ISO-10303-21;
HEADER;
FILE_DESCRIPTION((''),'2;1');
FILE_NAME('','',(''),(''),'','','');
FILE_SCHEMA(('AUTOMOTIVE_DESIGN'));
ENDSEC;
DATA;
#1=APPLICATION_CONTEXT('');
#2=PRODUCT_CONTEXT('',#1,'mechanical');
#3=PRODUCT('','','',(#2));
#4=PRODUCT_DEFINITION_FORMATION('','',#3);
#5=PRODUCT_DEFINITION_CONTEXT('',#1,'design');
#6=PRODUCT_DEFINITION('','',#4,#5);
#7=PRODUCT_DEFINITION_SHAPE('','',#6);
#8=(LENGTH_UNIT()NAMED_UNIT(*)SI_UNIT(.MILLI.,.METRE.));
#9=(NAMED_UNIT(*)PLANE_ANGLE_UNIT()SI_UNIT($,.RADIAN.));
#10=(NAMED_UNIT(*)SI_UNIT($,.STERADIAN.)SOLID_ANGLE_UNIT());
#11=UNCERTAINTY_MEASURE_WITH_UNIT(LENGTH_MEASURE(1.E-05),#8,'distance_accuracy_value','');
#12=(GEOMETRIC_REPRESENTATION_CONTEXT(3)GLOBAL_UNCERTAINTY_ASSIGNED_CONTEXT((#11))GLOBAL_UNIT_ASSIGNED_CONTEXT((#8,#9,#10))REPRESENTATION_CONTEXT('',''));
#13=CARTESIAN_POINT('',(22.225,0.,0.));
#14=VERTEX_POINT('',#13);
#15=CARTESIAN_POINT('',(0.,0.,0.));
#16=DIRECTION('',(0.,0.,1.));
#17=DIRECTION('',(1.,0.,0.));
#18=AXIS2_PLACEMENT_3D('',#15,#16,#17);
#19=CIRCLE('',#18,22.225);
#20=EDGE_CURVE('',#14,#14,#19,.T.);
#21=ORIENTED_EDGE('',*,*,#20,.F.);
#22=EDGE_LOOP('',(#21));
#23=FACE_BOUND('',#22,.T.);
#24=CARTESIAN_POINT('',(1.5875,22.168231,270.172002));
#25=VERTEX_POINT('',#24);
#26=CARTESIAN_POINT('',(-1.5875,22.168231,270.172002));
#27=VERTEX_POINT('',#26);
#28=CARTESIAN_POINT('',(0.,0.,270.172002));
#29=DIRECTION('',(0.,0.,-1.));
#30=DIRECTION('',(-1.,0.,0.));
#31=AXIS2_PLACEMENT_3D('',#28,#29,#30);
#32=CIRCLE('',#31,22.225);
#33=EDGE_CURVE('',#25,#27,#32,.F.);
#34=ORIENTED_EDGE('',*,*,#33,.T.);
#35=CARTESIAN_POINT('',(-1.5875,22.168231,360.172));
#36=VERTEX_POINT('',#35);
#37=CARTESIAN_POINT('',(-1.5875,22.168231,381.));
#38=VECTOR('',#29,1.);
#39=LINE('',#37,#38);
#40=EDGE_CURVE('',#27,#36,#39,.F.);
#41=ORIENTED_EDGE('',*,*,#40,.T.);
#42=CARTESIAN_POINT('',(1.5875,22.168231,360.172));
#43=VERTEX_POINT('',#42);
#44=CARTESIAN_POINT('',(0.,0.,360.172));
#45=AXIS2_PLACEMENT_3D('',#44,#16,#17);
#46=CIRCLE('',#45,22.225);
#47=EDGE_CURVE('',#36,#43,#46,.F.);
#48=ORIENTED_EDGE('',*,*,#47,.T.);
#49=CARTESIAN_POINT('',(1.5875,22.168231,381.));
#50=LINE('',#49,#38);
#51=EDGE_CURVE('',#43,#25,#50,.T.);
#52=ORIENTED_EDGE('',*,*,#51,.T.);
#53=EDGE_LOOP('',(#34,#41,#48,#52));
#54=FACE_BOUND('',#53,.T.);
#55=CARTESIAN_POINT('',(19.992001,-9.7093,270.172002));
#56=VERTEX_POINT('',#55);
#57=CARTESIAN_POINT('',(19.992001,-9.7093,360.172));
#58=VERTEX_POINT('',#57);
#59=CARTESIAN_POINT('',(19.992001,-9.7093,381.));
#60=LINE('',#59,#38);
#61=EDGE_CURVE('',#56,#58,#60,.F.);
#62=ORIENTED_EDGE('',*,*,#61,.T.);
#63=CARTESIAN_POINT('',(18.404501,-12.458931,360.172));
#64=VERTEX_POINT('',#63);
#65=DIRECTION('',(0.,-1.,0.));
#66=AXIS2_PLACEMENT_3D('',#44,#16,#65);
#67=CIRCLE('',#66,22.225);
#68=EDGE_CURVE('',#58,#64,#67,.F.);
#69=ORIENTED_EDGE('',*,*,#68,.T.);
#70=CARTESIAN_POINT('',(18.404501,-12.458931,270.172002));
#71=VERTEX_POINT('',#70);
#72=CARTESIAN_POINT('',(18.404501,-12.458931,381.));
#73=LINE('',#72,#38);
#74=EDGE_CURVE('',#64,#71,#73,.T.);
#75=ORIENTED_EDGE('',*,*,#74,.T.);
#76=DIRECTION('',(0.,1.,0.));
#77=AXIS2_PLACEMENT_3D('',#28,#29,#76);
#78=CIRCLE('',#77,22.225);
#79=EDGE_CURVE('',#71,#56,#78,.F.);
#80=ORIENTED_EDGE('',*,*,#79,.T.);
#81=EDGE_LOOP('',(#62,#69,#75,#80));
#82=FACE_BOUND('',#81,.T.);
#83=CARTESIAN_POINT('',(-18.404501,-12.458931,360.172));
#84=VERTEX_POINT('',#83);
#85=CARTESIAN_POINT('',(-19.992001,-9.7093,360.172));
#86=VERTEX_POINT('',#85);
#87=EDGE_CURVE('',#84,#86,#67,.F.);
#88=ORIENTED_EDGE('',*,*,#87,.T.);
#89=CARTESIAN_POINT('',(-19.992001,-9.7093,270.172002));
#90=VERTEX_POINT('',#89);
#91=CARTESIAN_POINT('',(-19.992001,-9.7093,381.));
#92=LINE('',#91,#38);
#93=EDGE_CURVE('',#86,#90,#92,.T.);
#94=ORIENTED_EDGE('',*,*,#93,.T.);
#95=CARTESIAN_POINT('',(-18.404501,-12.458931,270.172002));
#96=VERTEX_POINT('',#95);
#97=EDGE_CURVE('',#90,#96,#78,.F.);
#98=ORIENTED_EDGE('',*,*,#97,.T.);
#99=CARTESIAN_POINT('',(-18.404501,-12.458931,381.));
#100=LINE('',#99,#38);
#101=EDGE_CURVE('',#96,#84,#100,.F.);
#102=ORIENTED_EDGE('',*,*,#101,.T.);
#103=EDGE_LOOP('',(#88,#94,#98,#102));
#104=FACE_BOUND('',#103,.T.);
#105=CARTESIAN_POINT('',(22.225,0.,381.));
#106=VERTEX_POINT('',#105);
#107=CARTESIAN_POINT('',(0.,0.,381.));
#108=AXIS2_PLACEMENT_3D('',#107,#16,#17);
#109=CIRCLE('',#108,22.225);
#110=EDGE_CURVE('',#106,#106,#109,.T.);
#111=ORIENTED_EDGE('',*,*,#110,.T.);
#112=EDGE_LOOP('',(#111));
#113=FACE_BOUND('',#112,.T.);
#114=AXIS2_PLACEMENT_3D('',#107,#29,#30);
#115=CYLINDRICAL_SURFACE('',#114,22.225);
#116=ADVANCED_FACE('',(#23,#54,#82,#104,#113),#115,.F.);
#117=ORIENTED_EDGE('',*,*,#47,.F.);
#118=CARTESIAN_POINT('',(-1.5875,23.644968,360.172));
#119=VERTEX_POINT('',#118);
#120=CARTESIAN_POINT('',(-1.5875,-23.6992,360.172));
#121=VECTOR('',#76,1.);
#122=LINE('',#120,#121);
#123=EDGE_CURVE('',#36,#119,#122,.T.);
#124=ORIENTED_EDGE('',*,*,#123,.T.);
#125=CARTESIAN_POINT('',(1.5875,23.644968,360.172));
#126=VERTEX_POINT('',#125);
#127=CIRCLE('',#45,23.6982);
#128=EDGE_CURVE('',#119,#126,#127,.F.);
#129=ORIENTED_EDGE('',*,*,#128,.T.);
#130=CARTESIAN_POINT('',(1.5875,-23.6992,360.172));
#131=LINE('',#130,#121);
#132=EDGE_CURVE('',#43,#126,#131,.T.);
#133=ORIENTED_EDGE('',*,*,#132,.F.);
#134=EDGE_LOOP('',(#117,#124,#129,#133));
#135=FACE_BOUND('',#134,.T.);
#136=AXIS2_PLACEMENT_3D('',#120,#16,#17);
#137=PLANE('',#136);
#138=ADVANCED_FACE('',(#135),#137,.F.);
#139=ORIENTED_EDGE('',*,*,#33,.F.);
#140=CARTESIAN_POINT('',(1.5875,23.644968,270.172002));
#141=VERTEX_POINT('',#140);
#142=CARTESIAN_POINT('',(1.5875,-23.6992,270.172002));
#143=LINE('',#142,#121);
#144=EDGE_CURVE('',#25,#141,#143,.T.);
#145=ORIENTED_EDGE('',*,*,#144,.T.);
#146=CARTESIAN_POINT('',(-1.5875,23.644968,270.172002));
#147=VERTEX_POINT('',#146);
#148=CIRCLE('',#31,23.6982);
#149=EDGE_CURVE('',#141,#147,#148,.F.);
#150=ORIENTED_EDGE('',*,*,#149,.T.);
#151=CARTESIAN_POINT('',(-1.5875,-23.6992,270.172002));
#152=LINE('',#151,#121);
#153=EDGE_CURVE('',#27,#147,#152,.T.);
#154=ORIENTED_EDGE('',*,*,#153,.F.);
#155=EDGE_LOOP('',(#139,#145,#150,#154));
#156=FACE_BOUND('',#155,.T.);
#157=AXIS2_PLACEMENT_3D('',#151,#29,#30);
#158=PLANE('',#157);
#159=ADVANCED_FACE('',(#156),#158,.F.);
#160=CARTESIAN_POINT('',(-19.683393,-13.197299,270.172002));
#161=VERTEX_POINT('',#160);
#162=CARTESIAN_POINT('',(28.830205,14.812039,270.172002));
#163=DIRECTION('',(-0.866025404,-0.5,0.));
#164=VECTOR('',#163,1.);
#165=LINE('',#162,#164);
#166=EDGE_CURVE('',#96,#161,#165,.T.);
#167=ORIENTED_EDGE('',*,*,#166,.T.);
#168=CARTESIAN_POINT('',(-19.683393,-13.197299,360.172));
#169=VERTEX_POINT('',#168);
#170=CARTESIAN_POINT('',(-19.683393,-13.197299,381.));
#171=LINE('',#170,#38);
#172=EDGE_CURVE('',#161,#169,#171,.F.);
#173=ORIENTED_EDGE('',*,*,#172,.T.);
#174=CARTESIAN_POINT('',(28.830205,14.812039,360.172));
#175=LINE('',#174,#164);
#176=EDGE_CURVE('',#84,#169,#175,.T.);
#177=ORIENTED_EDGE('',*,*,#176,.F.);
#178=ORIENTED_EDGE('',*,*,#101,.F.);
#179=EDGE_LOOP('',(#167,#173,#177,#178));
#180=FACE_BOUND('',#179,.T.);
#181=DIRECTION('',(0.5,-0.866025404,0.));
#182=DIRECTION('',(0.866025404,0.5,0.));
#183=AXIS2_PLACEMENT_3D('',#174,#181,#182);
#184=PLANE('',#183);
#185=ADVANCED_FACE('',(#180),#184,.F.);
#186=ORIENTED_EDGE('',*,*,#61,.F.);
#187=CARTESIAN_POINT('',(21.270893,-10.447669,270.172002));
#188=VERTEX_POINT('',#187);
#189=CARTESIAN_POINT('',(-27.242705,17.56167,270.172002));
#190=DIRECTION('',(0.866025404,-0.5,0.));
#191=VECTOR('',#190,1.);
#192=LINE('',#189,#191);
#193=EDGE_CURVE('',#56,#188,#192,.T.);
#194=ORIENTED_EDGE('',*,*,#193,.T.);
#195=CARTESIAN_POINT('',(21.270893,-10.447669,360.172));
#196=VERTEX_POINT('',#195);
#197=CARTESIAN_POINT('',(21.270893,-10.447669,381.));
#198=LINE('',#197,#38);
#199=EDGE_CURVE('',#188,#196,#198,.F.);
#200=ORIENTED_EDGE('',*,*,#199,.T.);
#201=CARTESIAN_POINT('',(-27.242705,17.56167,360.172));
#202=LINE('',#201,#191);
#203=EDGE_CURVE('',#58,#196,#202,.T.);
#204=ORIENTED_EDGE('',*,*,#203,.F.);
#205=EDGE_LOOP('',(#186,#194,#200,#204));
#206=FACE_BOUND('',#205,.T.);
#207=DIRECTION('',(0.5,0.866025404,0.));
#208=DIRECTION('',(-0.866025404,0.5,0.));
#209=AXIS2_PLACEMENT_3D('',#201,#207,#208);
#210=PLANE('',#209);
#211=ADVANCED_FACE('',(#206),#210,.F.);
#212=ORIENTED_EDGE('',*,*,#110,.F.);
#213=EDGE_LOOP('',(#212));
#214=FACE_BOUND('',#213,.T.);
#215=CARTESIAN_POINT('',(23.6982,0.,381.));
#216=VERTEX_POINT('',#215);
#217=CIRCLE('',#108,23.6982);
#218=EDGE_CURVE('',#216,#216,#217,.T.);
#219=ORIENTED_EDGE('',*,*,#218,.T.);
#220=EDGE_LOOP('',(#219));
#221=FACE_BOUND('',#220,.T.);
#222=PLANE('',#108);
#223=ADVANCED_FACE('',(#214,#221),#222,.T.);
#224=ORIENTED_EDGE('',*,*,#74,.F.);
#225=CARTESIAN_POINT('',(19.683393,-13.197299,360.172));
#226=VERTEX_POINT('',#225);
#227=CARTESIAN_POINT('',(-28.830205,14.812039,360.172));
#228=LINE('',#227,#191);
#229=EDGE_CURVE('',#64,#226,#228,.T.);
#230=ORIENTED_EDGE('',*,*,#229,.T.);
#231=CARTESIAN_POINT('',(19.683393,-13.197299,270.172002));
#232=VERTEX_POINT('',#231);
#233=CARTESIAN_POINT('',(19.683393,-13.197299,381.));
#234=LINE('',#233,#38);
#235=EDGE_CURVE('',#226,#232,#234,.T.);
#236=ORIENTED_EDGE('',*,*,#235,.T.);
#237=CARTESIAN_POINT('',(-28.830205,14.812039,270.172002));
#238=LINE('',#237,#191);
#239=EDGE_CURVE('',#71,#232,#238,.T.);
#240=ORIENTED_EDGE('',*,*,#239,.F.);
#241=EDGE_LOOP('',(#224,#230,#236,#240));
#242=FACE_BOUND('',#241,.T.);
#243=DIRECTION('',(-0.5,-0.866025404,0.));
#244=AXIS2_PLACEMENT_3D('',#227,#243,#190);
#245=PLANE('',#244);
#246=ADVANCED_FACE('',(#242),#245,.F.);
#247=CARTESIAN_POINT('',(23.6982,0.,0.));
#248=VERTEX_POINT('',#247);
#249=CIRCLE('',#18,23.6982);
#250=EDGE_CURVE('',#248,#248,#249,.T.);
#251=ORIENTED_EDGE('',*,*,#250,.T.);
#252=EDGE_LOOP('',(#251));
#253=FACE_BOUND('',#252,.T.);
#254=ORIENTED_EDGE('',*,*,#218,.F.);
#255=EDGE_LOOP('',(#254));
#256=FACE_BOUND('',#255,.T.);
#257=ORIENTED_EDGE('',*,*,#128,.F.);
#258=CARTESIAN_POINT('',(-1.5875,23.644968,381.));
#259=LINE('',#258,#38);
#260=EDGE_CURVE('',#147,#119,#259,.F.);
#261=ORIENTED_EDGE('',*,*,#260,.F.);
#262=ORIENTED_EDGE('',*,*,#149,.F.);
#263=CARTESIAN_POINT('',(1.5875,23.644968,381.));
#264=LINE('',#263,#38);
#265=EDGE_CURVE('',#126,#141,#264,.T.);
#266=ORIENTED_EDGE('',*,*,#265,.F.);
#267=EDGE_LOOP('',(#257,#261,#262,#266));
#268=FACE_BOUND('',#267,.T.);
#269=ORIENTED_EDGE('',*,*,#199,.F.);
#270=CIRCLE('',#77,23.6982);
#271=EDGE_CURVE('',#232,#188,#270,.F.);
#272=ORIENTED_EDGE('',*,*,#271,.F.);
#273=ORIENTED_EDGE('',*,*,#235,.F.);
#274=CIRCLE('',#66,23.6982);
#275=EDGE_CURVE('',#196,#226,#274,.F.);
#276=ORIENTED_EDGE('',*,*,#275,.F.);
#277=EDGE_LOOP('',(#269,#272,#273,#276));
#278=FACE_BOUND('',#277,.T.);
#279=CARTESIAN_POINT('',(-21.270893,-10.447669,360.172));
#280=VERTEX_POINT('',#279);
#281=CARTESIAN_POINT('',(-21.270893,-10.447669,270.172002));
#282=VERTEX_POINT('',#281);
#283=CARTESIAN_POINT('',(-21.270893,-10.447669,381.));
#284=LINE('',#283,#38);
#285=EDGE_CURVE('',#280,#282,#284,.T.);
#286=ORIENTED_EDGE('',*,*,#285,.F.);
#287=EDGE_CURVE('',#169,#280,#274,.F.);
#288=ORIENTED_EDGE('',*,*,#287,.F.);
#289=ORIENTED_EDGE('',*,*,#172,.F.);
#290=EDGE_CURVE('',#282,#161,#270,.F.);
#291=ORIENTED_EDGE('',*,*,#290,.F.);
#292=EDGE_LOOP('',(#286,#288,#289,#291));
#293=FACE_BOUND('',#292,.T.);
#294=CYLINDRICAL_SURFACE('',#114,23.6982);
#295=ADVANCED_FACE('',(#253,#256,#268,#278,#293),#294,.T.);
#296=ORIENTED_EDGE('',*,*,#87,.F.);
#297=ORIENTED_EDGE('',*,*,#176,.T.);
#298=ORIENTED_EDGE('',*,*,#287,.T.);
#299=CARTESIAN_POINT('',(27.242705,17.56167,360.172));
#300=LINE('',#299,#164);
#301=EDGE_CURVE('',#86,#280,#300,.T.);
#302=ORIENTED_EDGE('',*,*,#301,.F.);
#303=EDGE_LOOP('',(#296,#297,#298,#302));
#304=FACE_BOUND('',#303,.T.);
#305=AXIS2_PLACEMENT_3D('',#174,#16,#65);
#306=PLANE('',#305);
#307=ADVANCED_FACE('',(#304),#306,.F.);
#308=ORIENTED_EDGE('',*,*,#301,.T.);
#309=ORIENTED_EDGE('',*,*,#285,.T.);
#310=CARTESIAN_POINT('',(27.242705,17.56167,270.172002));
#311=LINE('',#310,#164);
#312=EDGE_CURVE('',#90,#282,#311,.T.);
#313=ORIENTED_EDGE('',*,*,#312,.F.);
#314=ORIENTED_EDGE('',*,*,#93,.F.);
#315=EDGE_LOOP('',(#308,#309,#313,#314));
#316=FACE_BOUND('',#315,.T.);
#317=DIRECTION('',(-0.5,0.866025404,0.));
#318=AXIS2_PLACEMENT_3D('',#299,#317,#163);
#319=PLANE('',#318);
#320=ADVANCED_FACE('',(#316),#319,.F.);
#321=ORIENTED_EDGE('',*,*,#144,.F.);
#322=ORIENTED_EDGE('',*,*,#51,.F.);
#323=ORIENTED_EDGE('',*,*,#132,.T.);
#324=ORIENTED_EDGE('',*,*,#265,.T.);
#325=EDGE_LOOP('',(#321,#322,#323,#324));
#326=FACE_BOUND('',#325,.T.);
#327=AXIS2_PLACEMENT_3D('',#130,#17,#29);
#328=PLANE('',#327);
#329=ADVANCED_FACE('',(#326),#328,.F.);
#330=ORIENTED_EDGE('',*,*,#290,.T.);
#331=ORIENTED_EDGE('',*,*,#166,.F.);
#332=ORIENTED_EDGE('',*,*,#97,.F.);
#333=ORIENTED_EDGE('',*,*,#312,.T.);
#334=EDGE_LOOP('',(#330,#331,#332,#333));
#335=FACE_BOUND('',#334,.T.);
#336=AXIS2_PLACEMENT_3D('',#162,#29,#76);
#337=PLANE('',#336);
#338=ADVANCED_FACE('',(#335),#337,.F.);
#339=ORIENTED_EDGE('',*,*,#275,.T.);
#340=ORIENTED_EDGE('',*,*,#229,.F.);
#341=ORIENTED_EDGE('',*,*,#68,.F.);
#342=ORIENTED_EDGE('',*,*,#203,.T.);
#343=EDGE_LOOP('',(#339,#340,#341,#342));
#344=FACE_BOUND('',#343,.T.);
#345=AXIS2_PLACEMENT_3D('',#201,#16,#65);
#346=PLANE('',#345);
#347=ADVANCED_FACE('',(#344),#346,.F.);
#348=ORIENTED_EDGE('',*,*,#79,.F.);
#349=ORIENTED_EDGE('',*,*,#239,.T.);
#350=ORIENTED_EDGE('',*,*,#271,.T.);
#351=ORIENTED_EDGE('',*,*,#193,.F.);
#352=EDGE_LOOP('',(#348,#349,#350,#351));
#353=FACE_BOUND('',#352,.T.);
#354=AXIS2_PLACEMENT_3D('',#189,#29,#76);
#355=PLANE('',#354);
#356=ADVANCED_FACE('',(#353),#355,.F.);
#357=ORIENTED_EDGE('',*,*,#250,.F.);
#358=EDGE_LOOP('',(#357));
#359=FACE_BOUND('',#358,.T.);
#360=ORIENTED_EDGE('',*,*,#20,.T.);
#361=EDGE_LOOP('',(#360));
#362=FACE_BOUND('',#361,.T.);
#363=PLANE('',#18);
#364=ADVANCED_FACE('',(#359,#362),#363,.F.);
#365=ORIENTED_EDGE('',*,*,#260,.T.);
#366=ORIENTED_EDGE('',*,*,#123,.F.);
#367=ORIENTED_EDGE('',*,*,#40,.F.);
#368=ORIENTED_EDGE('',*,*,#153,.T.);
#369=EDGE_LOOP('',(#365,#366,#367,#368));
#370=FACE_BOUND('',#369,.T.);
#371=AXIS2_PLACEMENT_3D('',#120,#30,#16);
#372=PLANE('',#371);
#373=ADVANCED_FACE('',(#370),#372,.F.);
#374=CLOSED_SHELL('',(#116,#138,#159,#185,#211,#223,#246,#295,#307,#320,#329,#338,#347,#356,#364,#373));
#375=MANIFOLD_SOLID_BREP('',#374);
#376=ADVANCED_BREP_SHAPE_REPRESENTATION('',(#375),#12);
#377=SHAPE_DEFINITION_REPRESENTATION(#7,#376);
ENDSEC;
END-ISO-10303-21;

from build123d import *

# Parameters (mm, degrees)
SKETCH1_R           = 23.6982
SKETCH1_R_2         = 22.225
BOSS_EXTRUDE1_DEPTH = 381
CUT_EXTRUDE2_START  = -28.631769
SKETCH3_W           = 3.175
SKETCH3_H           = 89.9999978
CUT_EXTRUDE2_DEPTH  = 1.529969
CIRPATTERN4_COUNT   = 3


with BuildPart() as part:
    # Sketch1 → Boss-Extrude1 (new body)
    with BuildSketch(Plane.XY):
        Circle(SKETCH1_R)
        Circle(SKETCH1_R_2, mode=Mode.SUBTRACT)
    extrude(amount=BOSS_EXTRUDE1_DEPTH)

    # Sketch3 → Cut-Extrude2 (cut)
    with BuildSketch(Plane(origin=(0, 50.8, 0), x_dir=(1, 0, 0), z_dir=(0, 1, 0)).offset(CUT_EXTRUDE2_START)):
        with Locations((0, -315.1720011)):
            Rectangle(SKETCH3_W, SKETCH3_H)
    cut_extrude2 = extrude(amount=CUT_EXTRUDE2_DEPTH, mode=Mode.SUBTRACT)

    # CirPattern4: Cut-Extrude2 ×3 about axis
    cirpattern4_axis = Axis((0, 0, 0), (0, 0, 1))
    for i in range(1, CIRPATTERN4_COUNT):
        add(cut_extrude2.rotate(cirpattern4_axis, i * 360 / CIRPATTERN4_COUNT), mode=Mode.SUBTRACT)


solid = part.part
